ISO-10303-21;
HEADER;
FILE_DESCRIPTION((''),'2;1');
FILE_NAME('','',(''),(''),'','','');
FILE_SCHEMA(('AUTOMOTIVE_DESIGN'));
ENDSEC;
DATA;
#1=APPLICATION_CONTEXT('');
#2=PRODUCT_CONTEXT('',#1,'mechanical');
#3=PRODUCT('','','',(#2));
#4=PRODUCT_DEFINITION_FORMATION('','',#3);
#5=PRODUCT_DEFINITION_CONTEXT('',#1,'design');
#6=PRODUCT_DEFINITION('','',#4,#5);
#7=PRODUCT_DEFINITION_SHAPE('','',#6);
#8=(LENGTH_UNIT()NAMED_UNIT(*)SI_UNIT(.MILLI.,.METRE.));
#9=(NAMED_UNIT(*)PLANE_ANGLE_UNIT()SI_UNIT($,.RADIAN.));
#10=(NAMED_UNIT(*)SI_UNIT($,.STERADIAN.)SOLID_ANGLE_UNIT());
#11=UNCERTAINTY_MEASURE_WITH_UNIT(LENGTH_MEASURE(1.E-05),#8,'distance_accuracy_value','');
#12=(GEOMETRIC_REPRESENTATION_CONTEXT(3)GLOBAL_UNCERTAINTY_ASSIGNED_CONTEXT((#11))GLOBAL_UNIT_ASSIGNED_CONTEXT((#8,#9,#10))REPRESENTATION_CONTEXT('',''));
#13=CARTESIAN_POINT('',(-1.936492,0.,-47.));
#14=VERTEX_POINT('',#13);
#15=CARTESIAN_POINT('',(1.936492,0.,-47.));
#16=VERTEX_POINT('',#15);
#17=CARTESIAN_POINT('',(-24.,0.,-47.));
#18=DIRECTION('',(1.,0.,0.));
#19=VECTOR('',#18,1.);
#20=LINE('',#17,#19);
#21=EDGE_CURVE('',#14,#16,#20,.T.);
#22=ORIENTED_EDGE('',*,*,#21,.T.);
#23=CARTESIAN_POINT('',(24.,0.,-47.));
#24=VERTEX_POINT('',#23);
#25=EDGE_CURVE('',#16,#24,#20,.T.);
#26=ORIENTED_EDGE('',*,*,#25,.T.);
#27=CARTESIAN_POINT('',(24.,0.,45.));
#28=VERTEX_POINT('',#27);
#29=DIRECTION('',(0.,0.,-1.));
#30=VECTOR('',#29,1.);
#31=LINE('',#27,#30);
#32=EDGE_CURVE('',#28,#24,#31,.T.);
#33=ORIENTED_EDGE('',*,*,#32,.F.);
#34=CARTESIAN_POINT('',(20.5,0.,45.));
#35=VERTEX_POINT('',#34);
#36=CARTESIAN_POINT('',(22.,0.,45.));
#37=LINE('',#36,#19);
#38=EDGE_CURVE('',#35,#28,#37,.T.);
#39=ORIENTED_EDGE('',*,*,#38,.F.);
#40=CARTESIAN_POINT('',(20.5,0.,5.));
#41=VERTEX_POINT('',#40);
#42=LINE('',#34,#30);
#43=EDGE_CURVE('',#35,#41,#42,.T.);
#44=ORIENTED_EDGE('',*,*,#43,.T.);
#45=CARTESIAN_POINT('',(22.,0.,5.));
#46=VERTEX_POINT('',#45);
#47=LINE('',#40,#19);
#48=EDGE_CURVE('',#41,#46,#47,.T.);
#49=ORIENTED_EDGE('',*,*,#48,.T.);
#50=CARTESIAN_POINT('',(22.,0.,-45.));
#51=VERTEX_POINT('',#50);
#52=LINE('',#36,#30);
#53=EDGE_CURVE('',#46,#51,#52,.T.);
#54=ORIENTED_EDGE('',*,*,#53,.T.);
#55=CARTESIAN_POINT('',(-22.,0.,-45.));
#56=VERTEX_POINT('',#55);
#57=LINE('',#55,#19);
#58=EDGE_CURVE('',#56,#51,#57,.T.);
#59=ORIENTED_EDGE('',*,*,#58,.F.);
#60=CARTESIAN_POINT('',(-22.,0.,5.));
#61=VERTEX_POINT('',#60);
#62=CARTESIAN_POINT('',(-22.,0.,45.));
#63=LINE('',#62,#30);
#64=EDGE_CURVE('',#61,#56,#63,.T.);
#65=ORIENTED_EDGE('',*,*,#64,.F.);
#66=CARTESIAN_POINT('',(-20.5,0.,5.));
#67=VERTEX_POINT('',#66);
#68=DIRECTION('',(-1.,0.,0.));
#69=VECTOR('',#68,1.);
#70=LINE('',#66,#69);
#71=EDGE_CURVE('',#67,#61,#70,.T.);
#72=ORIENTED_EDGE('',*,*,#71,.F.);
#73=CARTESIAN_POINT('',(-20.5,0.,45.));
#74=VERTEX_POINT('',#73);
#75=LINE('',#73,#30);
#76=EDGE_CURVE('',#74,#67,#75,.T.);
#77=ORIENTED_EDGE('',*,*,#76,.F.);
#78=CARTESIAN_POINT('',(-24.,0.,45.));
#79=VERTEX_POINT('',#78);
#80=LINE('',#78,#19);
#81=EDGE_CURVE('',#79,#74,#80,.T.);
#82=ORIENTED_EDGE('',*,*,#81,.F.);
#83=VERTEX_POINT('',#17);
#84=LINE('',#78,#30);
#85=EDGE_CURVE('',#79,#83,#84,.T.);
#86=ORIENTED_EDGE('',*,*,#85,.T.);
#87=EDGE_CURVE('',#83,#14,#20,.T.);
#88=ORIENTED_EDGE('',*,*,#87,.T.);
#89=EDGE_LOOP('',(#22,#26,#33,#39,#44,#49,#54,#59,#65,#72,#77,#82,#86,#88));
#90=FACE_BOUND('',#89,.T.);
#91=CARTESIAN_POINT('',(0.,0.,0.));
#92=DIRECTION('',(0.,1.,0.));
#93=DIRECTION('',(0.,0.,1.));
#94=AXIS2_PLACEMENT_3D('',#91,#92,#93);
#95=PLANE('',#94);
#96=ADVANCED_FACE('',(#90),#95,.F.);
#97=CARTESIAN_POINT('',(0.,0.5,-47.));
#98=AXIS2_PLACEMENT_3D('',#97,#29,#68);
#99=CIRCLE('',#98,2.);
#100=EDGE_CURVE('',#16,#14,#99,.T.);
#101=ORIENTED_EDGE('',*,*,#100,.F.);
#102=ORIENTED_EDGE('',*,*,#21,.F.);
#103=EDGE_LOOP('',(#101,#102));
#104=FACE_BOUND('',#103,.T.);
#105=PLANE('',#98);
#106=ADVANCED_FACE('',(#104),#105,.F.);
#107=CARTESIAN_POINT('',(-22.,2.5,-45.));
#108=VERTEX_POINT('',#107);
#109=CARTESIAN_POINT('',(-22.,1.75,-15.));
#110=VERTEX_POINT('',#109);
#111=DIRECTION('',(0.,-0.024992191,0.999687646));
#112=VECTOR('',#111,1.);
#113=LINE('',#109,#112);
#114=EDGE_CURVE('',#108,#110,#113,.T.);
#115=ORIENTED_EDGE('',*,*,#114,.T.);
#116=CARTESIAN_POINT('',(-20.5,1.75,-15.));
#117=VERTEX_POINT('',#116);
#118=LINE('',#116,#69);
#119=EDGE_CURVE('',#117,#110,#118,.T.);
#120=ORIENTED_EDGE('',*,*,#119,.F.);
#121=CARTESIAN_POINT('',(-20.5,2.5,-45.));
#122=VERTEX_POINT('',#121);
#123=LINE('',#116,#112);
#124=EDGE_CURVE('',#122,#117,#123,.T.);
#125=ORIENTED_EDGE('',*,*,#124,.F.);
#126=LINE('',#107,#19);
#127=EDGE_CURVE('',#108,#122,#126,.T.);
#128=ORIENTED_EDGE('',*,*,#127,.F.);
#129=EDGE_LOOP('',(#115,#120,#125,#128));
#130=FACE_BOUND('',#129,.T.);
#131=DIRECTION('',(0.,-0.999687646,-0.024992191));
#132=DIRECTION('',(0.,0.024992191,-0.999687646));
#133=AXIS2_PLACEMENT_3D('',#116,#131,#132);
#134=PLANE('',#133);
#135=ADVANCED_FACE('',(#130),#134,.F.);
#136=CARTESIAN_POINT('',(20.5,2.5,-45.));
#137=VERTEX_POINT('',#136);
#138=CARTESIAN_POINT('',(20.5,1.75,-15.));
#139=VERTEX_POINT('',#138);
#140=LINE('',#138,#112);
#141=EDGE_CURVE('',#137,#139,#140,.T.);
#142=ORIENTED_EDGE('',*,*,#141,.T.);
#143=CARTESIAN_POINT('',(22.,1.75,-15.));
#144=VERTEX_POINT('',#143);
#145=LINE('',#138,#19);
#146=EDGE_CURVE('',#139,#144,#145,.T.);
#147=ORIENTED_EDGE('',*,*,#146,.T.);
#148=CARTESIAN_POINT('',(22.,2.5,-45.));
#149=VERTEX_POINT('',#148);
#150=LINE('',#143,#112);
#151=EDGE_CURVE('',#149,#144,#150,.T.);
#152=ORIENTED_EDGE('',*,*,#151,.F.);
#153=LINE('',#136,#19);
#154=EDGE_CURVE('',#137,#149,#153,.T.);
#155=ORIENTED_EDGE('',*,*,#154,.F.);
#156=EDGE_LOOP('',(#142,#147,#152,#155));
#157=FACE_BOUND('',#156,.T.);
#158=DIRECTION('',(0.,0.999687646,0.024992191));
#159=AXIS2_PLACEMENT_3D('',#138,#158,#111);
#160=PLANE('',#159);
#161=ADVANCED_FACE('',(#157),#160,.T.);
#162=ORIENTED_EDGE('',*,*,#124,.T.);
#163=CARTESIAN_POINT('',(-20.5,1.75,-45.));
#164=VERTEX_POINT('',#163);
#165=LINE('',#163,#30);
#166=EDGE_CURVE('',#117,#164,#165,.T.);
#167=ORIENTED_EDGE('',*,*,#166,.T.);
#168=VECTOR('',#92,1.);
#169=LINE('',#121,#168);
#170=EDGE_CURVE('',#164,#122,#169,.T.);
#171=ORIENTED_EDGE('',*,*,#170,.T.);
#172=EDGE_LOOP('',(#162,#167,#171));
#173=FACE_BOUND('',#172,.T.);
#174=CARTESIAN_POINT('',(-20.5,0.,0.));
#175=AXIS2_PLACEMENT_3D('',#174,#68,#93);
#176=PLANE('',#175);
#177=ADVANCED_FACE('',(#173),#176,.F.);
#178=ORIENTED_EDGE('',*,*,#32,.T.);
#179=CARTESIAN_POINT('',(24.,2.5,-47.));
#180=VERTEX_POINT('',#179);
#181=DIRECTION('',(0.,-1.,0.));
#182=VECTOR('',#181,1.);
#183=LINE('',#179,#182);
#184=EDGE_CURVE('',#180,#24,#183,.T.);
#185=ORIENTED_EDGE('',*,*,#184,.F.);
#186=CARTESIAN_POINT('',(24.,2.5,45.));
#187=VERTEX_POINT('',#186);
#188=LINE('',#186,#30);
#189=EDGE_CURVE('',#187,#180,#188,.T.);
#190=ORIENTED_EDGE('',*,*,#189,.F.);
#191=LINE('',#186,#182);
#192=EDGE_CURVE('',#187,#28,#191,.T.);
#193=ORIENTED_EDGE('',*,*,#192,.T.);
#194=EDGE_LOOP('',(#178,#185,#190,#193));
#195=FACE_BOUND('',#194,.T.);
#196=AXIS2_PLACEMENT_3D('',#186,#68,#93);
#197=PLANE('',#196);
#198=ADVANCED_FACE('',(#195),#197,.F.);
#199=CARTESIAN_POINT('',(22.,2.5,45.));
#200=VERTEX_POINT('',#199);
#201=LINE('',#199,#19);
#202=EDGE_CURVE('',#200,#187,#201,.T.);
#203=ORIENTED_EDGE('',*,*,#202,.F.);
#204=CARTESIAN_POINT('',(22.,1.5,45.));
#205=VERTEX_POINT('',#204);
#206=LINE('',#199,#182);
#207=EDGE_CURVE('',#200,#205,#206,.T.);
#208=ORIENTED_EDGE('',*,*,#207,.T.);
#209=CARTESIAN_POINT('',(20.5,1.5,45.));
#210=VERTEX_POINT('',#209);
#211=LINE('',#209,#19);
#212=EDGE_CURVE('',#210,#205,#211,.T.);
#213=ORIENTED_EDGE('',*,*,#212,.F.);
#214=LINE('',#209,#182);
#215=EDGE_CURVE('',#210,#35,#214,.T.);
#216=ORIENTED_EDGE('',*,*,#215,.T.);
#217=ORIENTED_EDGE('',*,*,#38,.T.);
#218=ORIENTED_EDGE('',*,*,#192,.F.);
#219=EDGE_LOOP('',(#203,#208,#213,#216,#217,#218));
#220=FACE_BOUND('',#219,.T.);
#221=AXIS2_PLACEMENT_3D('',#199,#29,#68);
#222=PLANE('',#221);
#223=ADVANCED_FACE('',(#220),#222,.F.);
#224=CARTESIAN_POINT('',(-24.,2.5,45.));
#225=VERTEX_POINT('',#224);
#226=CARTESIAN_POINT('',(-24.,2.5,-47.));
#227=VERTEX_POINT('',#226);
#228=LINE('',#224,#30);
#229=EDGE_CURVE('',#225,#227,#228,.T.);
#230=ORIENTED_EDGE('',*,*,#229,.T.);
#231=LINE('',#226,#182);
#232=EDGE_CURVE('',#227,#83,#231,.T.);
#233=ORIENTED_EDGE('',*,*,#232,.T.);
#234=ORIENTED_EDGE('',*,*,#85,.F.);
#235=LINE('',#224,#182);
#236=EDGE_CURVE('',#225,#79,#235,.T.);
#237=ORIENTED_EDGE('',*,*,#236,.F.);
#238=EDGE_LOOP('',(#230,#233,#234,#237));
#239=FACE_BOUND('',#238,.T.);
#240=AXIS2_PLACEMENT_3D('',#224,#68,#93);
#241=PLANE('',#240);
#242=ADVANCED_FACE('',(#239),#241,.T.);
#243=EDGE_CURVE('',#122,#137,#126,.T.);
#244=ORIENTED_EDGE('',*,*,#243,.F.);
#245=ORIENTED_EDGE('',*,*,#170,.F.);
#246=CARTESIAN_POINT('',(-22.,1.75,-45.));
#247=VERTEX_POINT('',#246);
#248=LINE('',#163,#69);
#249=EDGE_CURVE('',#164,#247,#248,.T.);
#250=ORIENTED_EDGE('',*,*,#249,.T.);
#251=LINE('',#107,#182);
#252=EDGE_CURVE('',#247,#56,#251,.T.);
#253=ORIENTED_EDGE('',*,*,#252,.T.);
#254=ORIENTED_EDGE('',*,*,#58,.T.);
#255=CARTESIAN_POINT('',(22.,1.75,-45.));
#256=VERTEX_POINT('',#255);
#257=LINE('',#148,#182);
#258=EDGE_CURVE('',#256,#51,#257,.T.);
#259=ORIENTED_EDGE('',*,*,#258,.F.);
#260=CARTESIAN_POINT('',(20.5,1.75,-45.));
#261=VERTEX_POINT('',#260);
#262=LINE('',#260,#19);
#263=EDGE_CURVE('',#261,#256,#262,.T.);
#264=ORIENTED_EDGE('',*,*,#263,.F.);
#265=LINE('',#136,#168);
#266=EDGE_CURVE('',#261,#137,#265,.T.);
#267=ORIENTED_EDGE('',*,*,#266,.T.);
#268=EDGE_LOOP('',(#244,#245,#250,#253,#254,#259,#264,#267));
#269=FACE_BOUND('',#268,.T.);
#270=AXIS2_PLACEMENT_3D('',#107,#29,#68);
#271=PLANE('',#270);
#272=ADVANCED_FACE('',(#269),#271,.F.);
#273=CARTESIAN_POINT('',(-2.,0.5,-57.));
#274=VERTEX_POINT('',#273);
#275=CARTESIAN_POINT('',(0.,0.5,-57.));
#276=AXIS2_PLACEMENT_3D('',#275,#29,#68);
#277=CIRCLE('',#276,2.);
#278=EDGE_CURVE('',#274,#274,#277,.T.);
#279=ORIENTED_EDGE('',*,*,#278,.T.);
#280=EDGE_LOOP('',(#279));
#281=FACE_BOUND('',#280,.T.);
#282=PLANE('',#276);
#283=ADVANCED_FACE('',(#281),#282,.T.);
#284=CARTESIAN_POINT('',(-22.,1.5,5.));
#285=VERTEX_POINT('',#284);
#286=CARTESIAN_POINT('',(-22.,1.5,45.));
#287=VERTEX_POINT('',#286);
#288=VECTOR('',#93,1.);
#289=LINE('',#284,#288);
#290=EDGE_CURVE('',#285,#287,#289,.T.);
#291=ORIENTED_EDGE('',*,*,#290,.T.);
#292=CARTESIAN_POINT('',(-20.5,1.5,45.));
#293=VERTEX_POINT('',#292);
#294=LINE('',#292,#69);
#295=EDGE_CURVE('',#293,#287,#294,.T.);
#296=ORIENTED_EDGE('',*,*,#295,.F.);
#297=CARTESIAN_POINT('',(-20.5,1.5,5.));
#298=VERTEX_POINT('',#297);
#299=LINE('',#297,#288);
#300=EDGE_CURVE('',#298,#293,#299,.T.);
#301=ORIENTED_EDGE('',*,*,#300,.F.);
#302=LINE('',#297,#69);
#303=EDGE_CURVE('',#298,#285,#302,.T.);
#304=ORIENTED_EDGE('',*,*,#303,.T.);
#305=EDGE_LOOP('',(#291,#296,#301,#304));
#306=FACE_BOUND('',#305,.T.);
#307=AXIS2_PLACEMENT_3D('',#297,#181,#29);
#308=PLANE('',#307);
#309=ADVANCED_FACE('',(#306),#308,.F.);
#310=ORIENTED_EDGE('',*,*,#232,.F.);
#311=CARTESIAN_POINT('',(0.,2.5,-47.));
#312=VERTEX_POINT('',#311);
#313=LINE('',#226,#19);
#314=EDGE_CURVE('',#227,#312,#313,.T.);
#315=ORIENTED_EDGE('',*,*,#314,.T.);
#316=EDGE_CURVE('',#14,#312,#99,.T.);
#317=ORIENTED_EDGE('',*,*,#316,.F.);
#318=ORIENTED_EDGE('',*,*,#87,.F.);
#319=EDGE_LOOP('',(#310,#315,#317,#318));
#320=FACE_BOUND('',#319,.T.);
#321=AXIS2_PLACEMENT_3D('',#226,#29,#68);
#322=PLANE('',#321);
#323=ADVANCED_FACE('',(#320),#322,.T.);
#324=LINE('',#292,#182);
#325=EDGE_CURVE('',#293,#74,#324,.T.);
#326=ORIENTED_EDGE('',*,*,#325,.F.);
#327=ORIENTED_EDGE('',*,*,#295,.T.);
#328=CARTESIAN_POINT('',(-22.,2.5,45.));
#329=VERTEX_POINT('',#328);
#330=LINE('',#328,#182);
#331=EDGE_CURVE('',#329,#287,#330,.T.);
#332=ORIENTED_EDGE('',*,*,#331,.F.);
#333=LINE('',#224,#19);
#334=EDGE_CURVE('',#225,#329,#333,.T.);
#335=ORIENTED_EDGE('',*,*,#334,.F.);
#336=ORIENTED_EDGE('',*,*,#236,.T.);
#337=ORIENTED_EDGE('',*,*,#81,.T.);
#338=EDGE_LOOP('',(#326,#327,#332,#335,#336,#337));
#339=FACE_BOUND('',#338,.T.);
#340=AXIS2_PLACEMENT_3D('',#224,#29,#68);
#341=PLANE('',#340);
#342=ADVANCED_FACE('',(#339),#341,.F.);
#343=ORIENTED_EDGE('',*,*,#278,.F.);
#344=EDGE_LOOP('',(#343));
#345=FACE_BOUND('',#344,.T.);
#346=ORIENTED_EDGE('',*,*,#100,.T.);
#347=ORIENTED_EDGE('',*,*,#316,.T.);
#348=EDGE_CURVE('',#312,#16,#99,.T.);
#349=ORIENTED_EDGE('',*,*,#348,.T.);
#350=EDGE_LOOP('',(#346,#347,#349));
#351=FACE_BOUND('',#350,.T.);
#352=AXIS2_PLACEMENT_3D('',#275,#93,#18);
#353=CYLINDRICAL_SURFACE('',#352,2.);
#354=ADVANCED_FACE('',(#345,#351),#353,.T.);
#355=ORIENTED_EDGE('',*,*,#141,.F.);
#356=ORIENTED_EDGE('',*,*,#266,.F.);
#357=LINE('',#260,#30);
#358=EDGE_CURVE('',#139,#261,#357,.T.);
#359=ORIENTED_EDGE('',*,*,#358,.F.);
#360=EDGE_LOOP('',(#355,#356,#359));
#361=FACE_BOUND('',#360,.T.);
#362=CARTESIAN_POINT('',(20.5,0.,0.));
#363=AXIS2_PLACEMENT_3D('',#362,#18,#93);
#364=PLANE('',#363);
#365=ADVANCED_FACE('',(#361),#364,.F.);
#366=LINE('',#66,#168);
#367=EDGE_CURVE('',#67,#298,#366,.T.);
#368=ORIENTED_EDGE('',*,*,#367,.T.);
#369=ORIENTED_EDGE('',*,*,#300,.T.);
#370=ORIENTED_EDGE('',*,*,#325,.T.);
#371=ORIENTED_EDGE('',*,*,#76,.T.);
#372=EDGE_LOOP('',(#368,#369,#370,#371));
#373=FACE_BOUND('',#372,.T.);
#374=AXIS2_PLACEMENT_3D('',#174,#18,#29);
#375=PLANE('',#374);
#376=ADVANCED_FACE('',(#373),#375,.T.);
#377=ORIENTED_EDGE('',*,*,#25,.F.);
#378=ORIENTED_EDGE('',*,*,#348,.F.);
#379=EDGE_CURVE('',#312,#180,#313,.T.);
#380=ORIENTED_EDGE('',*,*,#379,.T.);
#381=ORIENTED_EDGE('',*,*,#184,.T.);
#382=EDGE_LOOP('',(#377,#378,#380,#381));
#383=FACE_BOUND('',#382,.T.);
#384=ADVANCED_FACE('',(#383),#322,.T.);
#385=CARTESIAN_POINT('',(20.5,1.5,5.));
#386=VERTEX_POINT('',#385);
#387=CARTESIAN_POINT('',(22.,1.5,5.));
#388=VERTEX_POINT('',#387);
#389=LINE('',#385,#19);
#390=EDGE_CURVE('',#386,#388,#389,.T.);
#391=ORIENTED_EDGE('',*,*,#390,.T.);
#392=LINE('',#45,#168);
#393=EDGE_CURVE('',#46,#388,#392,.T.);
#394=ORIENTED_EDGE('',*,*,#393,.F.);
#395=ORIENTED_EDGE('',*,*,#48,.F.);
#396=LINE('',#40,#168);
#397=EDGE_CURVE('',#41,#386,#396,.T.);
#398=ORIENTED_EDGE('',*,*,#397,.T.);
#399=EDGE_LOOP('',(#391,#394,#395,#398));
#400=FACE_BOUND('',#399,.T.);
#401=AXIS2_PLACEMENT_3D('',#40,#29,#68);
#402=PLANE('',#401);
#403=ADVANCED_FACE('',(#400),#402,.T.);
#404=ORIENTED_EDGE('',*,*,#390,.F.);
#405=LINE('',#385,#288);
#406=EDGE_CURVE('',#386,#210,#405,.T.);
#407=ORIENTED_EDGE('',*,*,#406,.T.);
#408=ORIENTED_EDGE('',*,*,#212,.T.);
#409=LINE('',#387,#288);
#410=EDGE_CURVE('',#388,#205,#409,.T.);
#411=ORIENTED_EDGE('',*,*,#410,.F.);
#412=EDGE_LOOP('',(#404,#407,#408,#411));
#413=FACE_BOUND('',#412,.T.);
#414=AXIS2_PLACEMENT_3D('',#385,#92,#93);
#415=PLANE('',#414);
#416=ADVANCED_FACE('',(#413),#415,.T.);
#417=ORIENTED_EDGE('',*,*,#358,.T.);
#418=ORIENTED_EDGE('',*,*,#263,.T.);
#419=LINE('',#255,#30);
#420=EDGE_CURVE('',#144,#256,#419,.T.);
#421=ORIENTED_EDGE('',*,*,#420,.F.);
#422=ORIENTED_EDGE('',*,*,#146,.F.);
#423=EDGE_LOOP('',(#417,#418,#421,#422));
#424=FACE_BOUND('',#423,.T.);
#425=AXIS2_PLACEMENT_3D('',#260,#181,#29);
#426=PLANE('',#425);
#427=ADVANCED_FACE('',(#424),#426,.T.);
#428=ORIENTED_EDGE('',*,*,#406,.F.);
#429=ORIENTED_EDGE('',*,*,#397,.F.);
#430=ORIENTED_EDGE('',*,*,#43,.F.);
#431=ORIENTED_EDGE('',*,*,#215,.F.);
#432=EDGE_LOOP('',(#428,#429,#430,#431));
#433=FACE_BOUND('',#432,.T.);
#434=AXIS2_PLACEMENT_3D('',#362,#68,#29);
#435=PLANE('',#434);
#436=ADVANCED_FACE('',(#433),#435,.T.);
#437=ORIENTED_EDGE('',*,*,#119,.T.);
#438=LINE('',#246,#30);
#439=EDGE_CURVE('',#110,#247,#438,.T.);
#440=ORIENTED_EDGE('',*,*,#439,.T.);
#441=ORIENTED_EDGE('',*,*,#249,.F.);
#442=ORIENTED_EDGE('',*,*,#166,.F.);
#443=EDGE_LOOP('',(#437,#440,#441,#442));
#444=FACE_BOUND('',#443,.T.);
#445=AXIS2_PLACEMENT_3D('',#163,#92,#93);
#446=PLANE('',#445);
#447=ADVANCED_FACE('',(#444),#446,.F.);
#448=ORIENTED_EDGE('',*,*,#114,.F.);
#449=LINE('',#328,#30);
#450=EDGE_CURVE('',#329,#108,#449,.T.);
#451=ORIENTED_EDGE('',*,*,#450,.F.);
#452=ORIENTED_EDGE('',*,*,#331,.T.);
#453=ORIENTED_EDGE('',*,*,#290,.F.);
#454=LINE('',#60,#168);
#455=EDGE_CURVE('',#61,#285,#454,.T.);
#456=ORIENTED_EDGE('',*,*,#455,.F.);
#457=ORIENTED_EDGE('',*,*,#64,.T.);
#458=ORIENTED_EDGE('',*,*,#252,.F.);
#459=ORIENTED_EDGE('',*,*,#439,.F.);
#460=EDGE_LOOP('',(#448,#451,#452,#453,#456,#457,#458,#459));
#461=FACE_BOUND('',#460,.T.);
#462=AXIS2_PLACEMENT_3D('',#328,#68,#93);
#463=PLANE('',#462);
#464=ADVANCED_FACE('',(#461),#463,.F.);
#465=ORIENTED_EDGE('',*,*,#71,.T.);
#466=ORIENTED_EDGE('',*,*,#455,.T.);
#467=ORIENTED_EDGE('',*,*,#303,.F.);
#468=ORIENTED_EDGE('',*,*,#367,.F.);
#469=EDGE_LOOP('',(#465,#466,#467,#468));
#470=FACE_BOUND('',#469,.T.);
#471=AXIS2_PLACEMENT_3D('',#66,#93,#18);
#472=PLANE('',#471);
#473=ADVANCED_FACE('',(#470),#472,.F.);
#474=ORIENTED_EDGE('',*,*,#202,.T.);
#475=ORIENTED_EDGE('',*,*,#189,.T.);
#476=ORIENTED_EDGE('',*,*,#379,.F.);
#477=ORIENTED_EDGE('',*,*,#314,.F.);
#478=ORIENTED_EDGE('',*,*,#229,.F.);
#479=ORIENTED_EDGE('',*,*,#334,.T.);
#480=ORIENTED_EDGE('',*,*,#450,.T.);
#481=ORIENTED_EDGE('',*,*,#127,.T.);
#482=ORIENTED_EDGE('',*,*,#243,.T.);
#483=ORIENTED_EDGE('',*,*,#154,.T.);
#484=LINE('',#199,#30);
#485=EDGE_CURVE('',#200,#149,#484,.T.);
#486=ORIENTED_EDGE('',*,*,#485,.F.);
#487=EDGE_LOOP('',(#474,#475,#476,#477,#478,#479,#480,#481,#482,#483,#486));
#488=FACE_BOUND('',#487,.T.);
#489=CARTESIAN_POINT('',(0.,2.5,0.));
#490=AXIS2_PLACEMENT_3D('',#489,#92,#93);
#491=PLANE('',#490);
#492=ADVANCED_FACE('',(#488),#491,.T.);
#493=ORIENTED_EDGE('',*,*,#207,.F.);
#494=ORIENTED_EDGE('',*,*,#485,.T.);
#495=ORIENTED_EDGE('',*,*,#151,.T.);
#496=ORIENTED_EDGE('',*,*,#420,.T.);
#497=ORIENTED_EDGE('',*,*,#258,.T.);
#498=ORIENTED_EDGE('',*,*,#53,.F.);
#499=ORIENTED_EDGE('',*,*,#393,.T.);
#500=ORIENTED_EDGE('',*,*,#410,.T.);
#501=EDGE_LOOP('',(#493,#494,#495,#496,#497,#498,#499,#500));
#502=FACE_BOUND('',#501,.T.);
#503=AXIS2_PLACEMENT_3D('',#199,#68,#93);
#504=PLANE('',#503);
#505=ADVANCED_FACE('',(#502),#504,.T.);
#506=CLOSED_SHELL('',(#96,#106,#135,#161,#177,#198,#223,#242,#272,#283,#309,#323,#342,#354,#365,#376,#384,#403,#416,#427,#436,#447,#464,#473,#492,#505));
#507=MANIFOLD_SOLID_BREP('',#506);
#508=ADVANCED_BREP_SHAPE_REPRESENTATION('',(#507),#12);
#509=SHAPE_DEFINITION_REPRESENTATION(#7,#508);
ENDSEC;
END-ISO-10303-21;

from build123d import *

# Parameters (mm, degrees)
BOSS_EXTRUDE1_DEPTH = 2.5
SKETCH4_W           = 40
SKETCH4_H           = 1.5
BOSS_EXTRUDE3_DEPTH = 1.5
SKETCH6_R           = 2
BOSS_EXTRUDE4_DEPTH = 10


with BuildPart() as part:
    # Sketch2 → Boss-Extrude1 (new body)
    with BuildSketch(Plane(origin=(0, 0, 0), x_dir=(1, 0, 0), z_dir=(0, 1, 0))):
        Polygon((-22, -45), (-22, 45), (22, 45), (22, -45), (24, -45), (24, 47), (-24, 47), (-24, -45), align=None)
    extrude(amount=BOSS_EXTRUDE1_DEPTH)

    # Sketch4 → Boss-Extrude3 (add)
    with BuildSketch(Plane(origin=(-22, 0, 0), x_dir=(0, 0, -1), z_dir=(1, 0, 0))):
        Polygon((45, 1.75), (15, 1.75), (45, 2.5), align=None)
        with Locations((-25, 0.75)):
            Rectangle(SKETCH4_W, SKETCH4_H)
    boss_extrude3 = extrude(amount=BOSS_EXTRUDE3_DEPTH)

    # Mirror1: Boss-Extrude3 across plane
    add(boss_extrude3.mirror(Plane(origin=(0, 0, 0), x_dir=(0, 0, 1), z_dir=(1, 0, 0))))

    # Sketch6 → Boss-Extrude4 (add)
    with BuildSketch(Plane(origin=(0, 0, -47), x_dir=(-1, 0, 0), z_dir=(0, 0, -1))):
        with Locations(Location((0, 0.5, 0), (0, 0, 194.477512186))):
            Circle(SKETCH6_R)
    extrude(amount=BOSS_EXTRUDE4_DEPTH)


solid = part.part
